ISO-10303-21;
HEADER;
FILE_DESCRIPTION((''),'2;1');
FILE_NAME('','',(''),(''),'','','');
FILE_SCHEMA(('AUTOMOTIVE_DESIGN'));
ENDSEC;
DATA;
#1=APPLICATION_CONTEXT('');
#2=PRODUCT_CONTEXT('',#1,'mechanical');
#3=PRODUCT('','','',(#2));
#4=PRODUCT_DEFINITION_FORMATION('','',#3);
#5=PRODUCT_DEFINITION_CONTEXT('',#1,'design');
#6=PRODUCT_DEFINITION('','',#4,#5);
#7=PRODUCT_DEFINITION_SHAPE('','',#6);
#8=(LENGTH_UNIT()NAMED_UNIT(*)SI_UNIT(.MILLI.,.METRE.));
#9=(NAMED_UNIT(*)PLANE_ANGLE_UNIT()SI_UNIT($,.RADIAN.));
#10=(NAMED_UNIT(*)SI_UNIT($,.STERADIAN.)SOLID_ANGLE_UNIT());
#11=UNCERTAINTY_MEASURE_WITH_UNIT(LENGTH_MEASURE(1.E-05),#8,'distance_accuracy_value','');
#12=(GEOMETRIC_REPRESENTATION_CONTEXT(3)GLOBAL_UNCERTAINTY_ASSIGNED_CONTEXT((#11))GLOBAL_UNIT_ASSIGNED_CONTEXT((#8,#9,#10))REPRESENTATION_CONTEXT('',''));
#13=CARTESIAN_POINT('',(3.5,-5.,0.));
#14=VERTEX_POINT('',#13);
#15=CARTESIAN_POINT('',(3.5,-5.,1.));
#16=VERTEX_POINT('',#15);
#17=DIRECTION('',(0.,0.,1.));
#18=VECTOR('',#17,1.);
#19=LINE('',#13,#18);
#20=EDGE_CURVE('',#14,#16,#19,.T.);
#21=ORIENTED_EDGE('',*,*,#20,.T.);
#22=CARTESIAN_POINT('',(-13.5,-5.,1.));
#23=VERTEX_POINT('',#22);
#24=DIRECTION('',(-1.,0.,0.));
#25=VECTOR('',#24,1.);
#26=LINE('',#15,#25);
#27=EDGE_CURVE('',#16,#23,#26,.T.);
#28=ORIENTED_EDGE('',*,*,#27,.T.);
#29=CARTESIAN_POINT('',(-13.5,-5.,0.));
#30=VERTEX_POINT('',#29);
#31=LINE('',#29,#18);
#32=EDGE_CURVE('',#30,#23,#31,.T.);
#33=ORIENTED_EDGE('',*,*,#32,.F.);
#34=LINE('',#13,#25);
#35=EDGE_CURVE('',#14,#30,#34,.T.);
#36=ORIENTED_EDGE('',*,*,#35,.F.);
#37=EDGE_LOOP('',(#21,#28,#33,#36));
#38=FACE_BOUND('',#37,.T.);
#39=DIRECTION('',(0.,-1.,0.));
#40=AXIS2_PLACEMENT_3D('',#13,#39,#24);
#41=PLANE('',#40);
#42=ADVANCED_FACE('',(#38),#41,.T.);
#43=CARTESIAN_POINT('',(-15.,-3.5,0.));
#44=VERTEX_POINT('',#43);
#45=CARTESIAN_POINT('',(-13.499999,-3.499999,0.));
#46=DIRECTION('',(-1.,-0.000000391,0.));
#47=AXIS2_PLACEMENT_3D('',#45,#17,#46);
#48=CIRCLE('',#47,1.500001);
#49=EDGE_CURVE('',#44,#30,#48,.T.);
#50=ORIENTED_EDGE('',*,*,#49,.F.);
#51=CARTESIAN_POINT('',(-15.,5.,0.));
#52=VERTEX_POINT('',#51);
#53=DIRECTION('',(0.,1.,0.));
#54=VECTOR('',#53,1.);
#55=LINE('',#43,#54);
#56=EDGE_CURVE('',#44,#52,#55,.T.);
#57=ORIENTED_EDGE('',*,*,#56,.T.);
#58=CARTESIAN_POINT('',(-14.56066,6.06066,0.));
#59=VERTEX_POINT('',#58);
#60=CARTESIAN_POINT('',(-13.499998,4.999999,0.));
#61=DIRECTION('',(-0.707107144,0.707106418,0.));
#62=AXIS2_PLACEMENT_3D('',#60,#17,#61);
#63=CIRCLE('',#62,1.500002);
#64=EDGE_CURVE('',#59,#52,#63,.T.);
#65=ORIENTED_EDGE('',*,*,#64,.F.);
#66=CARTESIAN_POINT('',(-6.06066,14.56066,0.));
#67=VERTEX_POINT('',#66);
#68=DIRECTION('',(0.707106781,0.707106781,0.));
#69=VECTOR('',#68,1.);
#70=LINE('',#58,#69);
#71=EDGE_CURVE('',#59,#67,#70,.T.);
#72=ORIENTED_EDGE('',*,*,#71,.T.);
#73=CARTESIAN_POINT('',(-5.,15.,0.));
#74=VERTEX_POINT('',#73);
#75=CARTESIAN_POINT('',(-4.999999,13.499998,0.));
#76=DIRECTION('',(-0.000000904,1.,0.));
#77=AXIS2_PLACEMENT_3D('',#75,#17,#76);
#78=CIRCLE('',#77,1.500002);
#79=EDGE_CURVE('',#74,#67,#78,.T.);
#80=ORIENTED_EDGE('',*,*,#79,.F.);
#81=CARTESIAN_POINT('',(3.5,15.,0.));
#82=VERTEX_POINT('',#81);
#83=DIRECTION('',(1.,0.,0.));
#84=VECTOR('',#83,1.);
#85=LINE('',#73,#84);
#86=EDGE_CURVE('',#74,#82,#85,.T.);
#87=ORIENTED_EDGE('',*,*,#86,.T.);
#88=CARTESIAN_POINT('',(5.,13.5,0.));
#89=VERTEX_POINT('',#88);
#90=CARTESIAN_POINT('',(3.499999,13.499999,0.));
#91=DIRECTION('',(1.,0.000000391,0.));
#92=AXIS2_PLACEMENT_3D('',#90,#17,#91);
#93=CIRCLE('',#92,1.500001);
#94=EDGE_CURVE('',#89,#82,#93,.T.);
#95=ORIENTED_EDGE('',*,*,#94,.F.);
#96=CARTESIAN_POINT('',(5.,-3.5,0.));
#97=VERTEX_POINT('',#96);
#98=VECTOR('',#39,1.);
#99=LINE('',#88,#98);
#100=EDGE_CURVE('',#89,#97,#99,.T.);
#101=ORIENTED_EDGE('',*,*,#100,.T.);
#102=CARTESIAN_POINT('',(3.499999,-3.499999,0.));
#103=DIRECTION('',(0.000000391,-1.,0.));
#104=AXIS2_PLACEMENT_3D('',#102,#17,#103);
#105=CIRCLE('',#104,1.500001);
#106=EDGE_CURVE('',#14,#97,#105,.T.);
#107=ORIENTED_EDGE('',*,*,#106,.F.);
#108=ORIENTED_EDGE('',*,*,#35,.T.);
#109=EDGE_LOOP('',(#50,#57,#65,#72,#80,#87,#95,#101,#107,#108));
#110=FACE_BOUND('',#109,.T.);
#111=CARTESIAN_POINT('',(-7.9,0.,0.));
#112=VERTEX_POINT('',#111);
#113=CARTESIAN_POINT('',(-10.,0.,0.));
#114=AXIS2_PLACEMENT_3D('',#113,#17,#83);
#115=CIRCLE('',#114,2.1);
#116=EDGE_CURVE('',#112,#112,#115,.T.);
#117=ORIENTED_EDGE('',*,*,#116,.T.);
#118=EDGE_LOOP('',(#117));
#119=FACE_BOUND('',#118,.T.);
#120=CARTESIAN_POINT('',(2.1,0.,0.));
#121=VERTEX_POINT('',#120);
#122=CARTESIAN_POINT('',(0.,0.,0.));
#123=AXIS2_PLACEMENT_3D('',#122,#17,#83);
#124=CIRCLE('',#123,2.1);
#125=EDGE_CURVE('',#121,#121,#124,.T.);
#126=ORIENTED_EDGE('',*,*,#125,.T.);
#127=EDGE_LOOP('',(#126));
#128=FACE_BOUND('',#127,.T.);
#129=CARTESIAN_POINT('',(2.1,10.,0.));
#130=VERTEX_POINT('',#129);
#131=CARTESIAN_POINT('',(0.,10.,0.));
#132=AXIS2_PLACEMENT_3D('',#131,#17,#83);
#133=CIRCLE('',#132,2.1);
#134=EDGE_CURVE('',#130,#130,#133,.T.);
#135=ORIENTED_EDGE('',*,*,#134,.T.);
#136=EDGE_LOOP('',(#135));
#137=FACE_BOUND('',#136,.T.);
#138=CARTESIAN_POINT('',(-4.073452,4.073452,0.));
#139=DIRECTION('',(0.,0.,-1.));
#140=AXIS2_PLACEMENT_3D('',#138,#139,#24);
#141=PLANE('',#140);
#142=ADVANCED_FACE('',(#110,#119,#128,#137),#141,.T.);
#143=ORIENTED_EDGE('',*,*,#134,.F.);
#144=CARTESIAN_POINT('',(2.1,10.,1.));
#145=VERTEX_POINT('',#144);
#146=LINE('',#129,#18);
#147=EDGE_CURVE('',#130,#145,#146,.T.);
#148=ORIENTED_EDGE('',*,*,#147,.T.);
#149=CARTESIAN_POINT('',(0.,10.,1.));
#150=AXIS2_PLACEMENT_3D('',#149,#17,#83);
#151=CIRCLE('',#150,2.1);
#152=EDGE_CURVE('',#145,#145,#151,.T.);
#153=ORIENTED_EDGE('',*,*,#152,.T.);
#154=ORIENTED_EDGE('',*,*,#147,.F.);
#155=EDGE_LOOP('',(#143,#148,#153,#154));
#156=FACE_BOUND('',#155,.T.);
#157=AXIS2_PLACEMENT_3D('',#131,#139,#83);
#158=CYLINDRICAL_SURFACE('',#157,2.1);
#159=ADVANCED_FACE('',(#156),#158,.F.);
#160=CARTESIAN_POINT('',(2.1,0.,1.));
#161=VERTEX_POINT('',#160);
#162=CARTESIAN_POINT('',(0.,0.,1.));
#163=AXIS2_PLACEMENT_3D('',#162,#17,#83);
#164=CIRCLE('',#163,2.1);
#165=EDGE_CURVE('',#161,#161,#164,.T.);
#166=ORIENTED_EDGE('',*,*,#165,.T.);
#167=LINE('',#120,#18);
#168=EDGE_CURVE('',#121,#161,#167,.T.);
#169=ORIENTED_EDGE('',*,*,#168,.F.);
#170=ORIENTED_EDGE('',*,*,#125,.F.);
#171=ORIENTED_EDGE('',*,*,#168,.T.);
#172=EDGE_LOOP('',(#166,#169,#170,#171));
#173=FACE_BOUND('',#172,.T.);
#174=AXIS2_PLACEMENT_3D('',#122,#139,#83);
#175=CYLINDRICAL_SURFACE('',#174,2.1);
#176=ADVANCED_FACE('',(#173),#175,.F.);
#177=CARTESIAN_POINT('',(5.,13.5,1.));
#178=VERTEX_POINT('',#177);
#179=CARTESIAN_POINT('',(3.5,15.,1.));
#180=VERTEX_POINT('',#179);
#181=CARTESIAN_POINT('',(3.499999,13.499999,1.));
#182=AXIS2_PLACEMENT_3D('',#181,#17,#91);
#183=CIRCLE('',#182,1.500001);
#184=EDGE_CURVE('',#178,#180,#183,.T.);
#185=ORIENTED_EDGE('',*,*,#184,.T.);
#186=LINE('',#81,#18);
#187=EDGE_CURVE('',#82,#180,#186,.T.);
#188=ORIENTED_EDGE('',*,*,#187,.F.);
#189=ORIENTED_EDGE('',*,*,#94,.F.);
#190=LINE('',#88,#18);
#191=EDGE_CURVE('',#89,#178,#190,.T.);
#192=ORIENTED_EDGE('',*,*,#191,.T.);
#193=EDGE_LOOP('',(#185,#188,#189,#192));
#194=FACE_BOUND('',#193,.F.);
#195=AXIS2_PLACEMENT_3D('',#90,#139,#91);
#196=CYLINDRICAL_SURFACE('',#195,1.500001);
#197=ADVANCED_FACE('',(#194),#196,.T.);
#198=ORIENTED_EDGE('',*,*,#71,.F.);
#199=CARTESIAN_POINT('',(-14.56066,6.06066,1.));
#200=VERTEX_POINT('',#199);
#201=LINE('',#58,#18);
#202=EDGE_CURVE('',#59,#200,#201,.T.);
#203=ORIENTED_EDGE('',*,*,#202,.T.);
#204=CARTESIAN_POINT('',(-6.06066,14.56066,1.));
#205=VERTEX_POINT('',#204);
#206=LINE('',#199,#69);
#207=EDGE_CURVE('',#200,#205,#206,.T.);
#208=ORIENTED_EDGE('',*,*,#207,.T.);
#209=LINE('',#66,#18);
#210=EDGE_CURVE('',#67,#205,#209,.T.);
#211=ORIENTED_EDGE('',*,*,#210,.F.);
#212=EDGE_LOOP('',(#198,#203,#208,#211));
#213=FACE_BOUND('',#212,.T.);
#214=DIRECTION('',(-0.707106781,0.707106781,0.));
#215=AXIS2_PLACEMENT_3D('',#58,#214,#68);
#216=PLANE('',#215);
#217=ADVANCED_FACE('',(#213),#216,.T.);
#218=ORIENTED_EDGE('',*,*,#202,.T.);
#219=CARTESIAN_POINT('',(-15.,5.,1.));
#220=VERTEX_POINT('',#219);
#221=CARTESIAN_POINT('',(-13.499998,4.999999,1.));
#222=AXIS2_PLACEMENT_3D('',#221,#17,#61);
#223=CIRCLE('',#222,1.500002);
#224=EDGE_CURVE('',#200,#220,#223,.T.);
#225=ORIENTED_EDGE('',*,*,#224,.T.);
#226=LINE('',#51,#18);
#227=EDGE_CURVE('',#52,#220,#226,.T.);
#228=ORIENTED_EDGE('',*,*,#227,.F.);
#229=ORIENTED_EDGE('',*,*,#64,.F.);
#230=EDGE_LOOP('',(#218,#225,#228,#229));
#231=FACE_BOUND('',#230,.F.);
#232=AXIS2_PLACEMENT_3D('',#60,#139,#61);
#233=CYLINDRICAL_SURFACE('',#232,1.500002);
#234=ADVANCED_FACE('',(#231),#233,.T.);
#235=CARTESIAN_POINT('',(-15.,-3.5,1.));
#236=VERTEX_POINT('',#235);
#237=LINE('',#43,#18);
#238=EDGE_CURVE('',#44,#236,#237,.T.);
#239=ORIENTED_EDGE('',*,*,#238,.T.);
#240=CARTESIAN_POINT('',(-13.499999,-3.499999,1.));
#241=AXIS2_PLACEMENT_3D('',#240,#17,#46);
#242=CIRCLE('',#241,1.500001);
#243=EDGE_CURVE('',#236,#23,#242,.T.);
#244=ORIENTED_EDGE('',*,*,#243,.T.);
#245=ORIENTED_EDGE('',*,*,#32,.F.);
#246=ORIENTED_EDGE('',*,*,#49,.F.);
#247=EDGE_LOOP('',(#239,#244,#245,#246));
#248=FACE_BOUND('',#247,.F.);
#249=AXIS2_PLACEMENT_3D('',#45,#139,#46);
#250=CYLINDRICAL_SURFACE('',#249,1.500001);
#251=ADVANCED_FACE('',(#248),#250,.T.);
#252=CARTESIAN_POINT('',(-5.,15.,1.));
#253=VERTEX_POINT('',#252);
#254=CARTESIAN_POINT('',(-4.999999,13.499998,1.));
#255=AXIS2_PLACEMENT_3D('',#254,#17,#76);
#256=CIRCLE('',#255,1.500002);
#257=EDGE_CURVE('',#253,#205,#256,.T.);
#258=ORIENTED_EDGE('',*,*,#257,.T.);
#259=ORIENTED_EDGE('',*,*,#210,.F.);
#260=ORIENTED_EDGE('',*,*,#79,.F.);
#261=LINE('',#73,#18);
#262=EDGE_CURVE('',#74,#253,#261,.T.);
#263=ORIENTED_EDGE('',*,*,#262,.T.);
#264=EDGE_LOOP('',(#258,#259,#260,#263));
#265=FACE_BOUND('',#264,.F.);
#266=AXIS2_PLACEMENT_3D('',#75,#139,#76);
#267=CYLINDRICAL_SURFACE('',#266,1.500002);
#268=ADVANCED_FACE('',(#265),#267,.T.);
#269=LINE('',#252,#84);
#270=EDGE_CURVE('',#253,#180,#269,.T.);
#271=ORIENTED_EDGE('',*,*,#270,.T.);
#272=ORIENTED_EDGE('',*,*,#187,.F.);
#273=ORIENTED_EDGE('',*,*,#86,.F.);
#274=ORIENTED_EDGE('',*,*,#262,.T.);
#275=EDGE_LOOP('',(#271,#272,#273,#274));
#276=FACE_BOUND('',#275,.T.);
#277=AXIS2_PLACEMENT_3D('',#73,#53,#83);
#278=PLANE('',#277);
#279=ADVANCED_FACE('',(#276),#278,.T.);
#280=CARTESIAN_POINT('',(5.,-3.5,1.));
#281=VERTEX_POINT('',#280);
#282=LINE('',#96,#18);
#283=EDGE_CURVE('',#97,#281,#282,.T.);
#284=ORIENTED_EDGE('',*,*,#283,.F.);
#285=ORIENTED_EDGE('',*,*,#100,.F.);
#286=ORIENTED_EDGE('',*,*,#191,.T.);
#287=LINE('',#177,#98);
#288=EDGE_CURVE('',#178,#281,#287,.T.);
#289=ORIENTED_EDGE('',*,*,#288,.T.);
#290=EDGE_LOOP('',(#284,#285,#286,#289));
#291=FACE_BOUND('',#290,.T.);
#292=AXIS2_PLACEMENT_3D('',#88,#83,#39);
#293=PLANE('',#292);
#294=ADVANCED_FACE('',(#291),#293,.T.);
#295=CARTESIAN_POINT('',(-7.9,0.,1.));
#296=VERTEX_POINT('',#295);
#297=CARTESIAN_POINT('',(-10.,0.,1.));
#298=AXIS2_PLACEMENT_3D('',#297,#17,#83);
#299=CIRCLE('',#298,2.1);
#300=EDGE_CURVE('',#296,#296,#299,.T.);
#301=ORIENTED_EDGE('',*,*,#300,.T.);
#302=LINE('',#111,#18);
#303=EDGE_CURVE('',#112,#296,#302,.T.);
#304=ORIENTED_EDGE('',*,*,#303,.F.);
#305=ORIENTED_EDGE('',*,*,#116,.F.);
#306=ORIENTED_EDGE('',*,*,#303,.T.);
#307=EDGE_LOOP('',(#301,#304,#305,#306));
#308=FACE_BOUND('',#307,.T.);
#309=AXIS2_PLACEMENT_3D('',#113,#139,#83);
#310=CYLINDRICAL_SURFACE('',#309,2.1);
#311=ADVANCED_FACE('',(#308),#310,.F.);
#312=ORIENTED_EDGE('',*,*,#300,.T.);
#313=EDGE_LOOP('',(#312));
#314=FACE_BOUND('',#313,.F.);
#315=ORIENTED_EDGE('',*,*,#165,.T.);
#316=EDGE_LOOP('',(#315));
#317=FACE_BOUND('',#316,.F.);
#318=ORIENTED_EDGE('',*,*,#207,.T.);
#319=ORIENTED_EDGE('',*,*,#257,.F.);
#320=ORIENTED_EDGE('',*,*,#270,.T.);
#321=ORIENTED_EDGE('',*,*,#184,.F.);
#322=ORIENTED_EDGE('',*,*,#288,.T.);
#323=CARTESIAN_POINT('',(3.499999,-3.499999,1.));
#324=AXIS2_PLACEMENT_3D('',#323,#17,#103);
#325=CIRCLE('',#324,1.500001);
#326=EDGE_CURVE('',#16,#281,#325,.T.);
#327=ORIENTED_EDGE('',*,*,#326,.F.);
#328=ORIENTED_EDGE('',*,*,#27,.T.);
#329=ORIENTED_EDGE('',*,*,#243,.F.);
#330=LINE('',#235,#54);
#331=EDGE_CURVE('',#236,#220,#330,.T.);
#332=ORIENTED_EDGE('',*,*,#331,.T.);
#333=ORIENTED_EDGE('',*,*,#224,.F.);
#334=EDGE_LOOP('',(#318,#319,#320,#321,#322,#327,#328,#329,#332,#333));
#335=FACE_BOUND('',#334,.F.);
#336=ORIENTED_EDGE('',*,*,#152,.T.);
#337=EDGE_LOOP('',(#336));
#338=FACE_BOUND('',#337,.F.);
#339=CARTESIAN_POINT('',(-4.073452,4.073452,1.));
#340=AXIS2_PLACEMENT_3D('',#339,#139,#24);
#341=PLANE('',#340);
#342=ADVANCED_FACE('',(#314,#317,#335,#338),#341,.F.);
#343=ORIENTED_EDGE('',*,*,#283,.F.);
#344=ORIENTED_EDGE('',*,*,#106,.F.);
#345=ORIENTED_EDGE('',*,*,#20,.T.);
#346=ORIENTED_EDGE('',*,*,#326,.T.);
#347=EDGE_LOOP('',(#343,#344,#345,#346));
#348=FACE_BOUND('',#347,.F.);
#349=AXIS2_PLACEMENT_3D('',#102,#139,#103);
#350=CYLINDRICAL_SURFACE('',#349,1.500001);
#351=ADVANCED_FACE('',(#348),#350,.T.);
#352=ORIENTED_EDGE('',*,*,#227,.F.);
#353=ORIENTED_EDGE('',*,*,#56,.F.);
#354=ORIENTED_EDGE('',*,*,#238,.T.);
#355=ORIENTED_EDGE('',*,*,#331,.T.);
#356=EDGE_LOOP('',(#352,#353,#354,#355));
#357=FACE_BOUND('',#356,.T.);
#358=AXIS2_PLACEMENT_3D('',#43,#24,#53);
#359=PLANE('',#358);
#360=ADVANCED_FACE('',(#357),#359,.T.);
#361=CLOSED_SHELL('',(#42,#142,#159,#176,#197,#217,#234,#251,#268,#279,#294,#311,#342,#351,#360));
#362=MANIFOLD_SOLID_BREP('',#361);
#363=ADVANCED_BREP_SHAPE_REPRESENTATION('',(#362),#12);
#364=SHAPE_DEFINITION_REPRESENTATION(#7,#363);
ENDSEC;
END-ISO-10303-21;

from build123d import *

# Parameters (mm, degrees)
SKETCH_R  = 2.1
PAD_DEPTH = 1


with BuildPart() as part:
    # Sketch → Pad (new body)
    with BuildSketch(Plane.XY):
        with BuildLine():
            Line((-5, 15), (3.5, 15))
            ThreePointArc((5, 13.5), (4.56066, 14.56066), (3.5, 15))
            Line((5, 13.5), (5, -3.5))
            ThreePointArc((3.5, -5), (4.56066, -4.56066), (5, -3.5))
            Line((3.5, -5), (-13.5, -5))
            ThreePointArc((-15, -3.5), (-14.56066, -4.56066), (-13.5, -5))
            Line((-15, -3.5), (-15, 5))
            ThreePointArc((-14.56066, 6.06066), (-14.885819, 5.574025), (-15, 5))
            Line((-14.56066, 6.06066), (-6.06066, 14.56066))
            ThreePointArc((-5, 15), (-5.574025, 14.885819), (-6.06066, 14.56066))
        make_face()
        with Locations((0, 10)):
            Circle(SKETCH_R, mode=Mode.SUBTRACT)
        with Locations((-10, 0)):
            Circle(SKETCH_R, mode=Mode.SUBTRACT)
        Circle(SKETCH_R, mode=Mode.SUBTRACT)
    extrude(amount=PAD_DEPTH)


solid = part.part
